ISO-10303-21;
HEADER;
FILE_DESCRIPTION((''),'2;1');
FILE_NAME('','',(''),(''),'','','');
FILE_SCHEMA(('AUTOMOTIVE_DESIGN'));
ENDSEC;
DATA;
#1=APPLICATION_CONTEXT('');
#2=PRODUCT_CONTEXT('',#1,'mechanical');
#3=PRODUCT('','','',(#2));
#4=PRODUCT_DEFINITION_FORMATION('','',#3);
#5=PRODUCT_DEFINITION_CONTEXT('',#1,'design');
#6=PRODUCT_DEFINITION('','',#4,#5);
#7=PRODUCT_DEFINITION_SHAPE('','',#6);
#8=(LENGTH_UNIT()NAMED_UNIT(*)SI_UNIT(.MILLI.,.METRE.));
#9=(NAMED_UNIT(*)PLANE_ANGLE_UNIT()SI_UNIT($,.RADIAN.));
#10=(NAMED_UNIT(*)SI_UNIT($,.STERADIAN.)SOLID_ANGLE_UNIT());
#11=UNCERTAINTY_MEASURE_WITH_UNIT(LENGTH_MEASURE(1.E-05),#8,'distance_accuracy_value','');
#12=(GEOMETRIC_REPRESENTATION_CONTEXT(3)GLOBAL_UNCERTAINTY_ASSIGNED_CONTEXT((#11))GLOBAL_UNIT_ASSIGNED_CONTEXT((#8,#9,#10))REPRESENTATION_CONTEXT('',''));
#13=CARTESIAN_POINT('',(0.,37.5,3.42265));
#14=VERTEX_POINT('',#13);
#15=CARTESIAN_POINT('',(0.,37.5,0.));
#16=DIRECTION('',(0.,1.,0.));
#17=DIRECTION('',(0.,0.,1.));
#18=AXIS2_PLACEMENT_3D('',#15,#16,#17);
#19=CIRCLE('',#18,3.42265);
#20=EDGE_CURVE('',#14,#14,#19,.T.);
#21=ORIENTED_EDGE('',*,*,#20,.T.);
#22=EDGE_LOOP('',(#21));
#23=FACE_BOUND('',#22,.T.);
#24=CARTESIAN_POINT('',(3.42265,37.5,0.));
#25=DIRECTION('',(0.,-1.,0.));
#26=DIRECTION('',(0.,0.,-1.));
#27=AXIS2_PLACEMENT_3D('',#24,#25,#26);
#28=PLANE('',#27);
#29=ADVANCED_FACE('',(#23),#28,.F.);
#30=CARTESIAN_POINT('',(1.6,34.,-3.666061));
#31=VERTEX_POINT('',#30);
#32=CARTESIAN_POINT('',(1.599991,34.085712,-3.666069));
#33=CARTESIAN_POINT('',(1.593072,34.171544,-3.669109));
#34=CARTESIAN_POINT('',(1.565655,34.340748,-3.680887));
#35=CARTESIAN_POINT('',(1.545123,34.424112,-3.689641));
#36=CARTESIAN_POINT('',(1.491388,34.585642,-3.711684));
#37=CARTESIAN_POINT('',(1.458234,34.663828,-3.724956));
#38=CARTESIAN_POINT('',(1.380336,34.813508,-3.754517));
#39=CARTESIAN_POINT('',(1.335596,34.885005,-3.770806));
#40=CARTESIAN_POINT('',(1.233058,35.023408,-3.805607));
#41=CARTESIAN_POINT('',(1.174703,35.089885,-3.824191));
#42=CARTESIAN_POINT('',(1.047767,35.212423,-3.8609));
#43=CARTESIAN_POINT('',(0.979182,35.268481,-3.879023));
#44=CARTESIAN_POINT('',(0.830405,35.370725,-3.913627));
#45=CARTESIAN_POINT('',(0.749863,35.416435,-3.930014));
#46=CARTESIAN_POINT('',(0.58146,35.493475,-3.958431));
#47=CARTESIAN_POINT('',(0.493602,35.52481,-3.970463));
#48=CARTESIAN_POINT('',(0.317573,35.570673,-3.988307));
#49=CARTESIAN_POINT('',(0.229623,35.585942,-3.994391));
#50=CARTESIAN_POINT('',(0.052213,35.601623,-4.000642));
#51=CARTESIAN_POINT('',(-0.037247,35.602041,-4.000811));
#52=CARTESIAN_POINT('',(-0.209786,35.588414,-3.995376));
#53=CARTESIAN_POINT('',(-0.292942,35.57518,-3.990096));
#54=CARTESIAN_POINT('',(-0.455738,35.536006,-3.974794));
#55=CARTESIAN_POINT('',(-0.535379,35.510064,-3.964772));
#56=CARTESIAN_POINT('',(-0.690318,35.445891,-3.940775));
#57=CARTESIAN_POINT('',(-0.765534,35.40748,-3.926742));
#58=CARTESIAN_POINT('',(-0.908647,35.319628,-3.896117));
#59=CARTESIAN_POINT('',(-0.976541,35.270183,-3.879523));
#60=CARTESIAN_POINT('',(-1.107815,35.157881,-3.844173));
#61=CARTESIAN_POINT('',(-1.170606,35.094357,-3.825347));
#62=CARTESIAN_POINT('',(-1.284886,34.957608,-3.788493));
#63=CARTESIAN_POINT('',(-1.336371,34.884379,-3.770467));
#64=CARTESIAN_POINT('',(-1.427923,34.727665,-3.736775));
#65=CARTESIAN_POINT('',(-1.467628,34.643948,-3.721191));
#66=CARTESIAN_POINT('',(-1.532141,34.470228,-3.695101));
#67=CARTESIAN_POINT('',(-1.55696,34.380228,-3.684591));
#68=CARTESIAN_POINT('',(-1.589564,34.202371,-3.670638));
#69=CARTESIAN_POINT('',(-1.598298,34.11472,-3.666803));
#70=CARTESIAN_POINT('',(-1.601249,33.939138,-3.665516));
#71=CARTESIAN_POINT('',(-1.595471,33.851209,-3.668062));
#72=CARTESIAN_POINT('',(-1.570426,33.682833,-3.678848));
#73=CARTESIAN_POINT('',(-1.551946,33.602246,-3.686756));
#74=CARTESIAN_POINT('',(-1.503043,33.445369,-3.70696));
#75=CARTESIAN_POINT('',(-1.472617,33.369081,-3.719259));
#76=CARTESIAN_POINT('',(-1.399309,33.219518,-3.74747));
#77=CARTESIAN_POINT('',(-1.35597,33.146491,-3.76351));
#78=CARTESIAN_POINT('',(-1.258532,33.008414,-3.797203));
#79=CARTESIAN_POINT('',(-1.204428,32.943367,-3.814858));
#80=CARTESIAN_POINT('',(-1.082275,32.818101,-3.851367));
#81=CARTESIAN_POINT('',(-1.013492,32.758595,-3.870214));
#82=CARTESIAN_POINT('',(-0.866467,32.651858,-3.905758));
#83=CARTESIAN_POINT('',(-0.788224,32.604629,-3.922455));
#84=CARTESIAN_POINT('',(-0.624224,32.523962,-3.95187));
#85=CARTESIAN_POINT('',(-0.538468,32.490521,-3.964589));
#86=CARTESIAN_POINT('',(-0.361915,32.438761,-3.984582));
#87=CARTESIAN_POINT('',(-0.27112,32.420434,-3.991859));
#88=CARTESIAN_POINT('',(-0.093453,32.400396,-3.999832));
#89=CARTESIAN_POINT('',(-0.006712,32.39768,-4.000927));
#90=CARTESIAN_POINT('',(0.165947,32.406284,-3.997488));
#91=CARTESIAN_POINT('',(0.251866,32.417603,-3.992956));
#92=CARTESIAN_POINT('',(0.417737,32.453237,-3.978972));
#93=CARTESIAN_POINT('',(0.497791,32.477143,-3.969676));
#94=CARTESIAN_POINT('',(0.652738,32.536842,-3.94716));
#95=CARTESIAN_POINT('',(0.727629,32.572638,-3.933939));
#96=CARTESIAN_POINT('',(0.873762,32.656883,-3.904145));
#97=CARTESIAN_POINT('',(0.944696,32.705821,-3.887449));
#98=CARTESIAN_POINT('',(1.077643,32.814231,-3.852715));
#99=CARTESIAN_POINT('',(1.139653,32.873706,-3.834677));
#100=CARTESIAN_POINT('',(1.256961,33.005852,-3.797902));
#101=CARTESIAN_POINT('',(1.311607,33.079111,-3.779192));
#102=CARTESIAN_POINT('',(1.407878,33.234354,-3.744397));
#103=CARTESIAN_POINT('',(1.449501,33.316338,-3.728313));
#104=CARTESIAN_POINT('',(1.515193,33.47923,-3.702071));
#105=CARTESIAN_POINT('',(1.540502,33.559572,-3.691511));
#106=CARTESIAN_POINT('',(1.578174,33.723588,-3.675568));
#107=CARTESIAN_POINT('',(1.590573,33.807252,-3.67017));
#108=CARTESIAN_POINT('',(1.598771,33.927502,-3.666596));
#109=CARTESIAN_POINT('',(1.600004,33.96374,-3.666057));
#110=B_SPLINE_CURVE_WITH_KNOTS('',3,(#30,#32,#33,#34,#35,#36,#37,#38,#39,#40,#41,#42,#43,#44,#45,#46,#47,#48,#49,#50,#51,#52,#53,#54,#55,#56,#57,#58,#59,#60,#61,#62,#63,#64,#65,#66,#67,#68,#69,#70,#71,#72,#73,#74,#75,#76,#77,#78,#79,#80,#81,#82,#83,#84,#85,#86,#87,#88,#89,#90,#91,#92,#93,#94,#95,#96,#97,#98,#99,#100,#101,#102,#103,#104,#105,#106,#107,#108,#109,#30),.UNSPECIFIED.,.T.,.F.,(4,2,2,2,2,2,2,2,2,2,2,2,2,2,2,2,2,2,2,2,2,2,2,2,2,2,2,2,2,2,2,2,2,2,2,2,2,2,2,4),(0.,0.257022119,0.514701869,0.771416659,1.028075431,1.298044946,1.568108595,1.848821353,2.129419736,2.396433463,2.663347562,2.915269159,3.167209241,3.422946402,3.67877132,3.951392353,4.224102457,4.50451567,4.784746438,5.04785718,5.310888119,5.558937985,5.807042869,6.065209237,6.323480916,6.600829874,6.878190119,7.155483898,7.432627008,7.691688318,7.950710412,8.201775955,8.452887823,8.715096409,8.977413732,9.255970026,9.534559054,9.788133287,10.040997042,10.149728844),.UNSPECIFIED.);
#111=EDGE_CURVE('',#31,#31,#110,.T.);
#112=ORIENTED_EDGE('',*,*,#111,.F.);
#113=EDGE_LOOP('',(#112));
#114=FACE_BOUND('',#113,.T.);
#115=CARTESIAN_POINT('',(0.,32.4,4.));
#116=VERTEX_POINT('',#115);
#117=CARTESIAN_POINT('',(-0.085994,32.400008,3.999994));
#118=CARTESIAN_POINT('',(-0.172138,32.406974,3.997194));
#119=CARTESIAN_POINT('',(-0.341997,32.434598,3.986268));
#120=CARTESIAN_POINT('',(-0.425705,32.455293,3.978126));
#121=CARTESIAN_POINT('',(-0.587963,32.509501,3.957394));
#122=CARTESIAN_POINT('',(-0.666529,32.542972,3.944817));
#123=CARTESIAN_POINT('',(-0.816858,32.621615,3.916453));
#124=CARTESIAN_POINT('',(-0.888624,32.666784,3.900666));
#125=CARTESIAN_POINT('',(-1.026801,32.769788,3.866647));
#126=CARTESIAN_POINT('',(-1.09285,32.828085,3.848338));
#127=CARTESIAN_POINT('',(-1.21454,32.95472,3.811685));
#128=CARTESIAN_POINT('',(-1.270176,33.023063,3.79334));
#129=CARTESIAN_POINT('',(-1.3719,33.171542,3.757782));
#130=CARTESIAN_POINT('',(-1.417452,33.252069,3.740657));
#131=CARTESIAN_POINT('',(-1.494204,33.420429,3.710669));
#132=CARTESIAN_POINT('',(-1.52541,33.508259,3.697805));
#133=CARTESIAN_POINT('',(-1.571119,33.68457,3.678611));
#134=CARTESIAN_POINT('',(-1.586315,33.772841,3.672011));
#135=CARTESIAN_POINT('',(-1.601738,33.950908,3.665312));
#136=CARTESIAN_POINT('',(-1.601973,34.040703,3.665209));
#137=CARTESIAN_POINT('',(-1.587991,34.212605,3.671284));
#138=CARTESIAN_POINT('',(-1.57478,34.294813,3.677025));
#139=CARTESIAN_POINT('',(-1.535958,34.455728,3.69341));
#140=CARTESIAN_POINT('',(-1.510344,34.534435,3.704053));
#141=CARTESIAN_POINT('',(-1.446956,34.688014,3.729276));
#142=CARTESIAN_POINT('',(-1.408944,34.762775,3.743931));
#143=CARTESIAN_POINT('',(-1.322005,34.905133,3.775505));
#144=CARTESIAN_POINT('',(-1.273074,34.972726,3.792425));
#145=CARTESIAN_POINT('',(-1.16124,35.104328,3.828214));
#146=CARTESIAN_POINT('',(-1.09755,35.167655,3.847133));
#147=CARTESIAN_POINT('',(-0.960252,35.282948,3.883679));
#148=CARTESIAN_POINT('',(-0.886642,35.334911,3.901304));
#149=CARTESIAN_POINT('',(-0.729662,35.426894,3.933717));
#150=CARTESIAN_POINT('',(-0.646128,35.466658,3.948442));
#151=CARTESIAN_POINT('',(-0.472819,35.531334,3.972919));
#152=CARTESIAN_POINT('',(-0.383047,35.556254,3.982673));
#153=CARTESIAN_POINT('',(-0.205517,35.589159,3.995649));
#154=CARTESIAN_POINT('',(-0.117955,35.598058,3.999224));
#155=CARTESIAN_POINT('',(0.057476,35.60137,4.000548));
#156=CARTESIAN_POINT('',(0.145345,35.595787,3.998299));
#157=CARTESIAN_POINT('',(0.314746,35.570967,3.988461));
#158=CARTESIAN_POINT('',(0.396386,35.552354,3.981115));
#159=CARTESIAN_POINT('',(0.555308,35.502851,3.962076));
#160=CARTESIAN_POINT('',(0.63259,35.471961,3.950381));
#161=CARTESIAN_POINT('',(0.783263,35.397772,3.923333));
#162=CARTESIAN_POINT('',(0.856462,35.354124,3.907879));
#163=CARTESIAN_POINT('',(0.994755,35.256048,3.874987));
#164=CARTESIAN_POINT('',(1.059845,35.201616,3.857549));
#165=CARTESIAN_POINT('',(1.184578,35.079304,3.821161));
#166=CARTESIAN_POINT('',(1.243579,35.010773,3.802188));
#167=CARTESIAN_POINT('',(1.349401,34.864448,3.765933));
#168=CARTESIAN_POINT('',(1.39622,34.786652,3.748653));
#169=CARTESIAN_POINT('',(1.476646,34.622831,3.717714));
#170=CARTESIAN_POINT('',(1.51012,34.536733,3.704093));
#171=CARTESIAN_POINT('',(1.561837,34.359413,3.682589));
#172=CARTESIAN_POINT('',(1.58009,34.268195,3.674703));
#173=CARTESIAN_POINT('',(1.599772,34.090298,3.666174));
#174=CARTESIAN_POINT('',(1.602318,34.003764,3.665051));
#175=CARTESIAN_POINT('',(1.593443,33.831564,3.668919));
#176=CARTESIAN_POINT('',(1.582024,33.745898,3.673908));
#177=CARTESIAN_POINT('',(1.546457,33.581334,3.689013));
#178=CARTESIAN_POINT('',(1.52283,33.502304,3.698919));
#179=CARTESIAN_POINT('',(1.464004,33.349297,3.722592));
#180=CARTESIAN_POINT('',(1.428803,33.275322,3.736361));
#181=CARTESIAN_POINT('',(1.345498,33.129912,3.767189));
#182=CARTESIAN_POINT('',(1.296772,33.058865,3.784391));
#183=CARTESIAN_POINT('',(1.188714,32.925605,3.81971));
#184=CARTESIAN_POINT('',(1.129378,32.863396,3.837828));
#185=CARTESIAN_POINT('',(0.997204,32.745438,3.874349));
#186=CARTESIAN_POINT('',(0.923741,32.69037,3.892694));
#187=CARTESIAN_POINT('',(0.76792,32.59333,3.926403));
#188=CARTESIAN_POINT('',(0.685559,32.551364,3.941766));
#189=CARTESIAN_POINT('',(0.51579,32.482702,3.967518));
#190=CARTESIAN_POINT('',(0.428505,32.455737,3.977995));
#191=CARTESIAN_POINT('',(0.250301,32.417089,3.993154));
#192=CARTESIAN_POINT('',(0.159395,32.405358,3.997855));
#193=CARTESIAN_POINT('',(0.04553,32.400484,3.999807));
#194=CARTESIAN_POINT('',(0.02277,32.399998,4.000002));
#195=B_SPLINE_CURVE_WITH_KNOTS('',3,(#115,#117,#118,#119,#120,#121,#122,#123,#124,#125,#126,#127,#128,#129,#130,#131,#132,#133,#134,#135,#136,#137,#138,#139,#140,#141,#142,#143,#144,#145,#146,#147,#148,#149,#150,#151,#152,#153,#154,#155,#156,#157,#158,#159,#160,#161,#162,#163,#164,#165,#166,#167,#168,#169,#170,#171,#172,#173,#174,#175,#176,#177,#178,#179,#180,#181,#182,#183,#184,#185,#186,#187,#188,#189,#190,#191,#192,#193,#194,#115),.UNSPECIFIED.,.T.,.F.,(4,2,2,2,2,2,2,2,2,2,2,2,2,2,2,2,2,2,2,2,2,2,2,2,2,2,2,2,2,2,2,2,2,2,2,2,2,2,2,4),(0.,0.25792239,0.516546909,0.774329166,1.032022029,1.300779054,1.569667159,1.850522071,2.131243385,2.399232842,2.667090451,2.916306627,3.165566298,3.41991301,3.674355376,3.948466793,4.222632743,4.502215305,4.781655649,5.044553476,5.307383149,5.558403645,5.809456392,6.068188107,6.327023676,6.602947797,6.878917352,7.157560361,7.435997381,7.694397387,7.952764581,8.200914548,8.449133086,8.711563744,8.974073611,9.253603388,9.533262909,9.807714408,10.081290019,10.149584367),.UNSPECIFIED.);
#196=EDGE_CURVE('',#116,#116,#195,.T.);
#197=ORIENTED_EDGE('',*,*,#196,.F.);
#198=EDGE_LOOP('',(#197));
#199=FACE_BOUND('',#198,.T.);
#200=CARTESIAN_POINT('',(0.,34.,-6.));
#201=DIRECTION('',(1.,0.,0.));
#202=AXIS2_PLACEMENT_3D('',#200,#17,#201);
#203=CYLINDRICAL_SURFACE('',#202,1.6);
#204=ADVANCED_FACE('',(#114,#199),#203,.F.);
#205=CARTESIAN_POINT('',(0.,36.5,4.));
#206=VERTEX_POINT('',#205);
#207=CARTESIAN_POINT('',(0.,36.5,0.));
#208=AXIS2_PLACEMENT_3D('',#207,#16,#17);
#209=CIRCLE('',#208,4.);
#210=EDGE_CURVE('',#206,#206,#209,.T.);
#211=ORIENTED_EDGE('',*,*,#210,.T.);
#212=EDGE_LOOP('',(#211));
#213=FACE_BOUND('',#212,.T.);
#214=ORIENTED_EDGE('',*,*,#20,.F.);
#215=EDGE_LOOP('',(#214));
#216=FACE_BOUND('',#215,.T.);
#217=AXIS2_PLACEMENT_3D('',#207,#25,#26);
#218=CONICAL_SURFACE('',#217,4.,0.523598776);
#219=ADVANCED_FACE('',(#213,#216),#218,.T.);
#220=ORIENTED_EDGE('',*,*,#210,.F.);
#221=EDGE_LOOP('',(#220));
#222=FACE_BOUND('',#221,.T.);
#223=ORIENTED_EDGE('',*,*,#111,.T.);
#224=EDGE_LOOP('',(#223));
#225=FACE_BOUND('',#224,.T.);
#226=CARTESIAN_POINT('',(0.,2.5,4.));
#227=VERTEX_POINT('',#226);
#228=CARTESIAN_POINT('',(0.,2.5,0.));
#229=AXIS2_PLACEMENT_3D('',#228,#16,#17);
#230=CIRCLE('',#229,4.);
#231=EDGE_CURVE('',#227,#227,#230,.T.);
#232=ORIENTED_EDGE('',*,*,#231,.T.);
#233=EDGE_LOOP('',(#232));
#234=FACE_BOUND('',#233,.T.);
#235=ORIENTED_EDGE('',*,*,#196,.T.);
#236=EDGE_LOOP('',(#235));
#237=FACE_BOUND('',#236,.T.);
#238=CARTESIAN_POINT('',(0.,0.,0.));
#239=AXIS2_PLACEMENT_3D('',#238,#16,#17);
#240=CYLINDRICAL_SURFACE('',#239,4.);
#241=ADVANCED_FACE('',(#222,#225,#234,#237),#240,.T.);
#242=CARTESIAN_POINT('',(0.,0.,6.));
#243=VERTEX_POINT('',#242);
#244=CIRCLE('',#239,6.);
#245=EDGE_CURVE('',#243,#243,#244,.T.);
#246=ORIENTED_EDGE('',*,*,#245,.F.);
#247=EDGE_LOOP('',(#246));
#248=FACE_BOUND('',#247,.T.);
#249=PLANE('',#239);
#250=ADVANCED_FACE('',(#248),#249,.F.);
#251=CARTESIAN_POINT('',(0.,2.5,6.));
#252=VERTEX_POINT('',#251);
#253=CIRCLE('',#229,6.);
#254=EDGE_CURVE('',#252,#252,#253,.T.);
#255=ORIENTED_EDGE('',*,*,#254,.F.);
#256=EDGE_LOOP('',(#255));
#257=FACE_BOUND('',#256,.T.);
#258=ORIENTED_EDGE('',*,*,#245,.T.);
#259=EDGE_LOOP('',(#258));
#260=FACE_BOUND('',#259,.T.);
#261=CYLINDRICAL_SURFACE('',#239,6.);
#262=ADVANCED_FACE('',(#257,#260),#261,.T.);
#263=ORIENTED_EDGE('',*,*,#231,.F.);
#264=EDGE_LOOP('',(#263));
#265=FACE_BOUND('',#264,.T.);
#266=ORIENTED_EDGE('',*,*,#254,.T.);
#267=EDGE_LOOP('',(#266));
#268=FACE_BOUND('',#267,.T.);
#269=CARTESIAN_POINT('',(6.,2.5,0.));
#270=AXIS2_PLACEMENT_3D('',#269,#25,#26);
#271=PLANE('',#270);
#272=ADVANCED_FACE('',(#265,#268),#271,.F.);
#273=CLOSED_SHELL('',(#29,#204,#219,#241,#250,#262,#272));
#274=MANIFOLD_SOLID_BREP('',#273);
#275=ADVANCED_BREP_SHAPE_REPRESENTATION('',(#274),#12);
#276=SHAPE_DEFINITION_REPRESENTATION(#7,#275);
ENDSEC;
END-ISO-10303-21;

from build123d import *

# Parameters (mm, degrees)
CUT_EXTRUDE_1_DEPTH      = 39.448016854
CUT_EXTRUDE_1_DEPTH_BACK = 39.448016854
SKETCH_2_R               = 1.6


with BuildPart() as part:
    # 草图1 → 旋转1 (revolve)
    with BuildSketch(Plane.XY, mode=Mode.PRIVATE) as revolve_1_sk:
        Polygon((0, 0), (6, 0), (6, 2.5), (4, 2.5), (4, 36.5), (3.422649731, 37.5), (0, 37.5), align=None)
    revolve(revolve_1_sk.sketch.rotate(Axis((0, 0, 0), (0, -1, 0)), 90), axis=Axis((0, 0, 0), (0, -1, 0)))

    # 草图2 → 切除-拉伸1 (cut, two sides: drawn at the far end of the back side and taken through both)
    with BuildSketch(Plane.XY.offset(-CUT_EXTRUDE_1_DEPTH_BACK)):
        with Locations((0, 34)):
            Circle(SKETCH_2_R)
    extrude(amount=CUT_EXTRUDE_1_DEPTH + CUT_EXTRUDE_1_DEPTH_BACK, mode=Mode.SUBTRACT)


solid = part.part
